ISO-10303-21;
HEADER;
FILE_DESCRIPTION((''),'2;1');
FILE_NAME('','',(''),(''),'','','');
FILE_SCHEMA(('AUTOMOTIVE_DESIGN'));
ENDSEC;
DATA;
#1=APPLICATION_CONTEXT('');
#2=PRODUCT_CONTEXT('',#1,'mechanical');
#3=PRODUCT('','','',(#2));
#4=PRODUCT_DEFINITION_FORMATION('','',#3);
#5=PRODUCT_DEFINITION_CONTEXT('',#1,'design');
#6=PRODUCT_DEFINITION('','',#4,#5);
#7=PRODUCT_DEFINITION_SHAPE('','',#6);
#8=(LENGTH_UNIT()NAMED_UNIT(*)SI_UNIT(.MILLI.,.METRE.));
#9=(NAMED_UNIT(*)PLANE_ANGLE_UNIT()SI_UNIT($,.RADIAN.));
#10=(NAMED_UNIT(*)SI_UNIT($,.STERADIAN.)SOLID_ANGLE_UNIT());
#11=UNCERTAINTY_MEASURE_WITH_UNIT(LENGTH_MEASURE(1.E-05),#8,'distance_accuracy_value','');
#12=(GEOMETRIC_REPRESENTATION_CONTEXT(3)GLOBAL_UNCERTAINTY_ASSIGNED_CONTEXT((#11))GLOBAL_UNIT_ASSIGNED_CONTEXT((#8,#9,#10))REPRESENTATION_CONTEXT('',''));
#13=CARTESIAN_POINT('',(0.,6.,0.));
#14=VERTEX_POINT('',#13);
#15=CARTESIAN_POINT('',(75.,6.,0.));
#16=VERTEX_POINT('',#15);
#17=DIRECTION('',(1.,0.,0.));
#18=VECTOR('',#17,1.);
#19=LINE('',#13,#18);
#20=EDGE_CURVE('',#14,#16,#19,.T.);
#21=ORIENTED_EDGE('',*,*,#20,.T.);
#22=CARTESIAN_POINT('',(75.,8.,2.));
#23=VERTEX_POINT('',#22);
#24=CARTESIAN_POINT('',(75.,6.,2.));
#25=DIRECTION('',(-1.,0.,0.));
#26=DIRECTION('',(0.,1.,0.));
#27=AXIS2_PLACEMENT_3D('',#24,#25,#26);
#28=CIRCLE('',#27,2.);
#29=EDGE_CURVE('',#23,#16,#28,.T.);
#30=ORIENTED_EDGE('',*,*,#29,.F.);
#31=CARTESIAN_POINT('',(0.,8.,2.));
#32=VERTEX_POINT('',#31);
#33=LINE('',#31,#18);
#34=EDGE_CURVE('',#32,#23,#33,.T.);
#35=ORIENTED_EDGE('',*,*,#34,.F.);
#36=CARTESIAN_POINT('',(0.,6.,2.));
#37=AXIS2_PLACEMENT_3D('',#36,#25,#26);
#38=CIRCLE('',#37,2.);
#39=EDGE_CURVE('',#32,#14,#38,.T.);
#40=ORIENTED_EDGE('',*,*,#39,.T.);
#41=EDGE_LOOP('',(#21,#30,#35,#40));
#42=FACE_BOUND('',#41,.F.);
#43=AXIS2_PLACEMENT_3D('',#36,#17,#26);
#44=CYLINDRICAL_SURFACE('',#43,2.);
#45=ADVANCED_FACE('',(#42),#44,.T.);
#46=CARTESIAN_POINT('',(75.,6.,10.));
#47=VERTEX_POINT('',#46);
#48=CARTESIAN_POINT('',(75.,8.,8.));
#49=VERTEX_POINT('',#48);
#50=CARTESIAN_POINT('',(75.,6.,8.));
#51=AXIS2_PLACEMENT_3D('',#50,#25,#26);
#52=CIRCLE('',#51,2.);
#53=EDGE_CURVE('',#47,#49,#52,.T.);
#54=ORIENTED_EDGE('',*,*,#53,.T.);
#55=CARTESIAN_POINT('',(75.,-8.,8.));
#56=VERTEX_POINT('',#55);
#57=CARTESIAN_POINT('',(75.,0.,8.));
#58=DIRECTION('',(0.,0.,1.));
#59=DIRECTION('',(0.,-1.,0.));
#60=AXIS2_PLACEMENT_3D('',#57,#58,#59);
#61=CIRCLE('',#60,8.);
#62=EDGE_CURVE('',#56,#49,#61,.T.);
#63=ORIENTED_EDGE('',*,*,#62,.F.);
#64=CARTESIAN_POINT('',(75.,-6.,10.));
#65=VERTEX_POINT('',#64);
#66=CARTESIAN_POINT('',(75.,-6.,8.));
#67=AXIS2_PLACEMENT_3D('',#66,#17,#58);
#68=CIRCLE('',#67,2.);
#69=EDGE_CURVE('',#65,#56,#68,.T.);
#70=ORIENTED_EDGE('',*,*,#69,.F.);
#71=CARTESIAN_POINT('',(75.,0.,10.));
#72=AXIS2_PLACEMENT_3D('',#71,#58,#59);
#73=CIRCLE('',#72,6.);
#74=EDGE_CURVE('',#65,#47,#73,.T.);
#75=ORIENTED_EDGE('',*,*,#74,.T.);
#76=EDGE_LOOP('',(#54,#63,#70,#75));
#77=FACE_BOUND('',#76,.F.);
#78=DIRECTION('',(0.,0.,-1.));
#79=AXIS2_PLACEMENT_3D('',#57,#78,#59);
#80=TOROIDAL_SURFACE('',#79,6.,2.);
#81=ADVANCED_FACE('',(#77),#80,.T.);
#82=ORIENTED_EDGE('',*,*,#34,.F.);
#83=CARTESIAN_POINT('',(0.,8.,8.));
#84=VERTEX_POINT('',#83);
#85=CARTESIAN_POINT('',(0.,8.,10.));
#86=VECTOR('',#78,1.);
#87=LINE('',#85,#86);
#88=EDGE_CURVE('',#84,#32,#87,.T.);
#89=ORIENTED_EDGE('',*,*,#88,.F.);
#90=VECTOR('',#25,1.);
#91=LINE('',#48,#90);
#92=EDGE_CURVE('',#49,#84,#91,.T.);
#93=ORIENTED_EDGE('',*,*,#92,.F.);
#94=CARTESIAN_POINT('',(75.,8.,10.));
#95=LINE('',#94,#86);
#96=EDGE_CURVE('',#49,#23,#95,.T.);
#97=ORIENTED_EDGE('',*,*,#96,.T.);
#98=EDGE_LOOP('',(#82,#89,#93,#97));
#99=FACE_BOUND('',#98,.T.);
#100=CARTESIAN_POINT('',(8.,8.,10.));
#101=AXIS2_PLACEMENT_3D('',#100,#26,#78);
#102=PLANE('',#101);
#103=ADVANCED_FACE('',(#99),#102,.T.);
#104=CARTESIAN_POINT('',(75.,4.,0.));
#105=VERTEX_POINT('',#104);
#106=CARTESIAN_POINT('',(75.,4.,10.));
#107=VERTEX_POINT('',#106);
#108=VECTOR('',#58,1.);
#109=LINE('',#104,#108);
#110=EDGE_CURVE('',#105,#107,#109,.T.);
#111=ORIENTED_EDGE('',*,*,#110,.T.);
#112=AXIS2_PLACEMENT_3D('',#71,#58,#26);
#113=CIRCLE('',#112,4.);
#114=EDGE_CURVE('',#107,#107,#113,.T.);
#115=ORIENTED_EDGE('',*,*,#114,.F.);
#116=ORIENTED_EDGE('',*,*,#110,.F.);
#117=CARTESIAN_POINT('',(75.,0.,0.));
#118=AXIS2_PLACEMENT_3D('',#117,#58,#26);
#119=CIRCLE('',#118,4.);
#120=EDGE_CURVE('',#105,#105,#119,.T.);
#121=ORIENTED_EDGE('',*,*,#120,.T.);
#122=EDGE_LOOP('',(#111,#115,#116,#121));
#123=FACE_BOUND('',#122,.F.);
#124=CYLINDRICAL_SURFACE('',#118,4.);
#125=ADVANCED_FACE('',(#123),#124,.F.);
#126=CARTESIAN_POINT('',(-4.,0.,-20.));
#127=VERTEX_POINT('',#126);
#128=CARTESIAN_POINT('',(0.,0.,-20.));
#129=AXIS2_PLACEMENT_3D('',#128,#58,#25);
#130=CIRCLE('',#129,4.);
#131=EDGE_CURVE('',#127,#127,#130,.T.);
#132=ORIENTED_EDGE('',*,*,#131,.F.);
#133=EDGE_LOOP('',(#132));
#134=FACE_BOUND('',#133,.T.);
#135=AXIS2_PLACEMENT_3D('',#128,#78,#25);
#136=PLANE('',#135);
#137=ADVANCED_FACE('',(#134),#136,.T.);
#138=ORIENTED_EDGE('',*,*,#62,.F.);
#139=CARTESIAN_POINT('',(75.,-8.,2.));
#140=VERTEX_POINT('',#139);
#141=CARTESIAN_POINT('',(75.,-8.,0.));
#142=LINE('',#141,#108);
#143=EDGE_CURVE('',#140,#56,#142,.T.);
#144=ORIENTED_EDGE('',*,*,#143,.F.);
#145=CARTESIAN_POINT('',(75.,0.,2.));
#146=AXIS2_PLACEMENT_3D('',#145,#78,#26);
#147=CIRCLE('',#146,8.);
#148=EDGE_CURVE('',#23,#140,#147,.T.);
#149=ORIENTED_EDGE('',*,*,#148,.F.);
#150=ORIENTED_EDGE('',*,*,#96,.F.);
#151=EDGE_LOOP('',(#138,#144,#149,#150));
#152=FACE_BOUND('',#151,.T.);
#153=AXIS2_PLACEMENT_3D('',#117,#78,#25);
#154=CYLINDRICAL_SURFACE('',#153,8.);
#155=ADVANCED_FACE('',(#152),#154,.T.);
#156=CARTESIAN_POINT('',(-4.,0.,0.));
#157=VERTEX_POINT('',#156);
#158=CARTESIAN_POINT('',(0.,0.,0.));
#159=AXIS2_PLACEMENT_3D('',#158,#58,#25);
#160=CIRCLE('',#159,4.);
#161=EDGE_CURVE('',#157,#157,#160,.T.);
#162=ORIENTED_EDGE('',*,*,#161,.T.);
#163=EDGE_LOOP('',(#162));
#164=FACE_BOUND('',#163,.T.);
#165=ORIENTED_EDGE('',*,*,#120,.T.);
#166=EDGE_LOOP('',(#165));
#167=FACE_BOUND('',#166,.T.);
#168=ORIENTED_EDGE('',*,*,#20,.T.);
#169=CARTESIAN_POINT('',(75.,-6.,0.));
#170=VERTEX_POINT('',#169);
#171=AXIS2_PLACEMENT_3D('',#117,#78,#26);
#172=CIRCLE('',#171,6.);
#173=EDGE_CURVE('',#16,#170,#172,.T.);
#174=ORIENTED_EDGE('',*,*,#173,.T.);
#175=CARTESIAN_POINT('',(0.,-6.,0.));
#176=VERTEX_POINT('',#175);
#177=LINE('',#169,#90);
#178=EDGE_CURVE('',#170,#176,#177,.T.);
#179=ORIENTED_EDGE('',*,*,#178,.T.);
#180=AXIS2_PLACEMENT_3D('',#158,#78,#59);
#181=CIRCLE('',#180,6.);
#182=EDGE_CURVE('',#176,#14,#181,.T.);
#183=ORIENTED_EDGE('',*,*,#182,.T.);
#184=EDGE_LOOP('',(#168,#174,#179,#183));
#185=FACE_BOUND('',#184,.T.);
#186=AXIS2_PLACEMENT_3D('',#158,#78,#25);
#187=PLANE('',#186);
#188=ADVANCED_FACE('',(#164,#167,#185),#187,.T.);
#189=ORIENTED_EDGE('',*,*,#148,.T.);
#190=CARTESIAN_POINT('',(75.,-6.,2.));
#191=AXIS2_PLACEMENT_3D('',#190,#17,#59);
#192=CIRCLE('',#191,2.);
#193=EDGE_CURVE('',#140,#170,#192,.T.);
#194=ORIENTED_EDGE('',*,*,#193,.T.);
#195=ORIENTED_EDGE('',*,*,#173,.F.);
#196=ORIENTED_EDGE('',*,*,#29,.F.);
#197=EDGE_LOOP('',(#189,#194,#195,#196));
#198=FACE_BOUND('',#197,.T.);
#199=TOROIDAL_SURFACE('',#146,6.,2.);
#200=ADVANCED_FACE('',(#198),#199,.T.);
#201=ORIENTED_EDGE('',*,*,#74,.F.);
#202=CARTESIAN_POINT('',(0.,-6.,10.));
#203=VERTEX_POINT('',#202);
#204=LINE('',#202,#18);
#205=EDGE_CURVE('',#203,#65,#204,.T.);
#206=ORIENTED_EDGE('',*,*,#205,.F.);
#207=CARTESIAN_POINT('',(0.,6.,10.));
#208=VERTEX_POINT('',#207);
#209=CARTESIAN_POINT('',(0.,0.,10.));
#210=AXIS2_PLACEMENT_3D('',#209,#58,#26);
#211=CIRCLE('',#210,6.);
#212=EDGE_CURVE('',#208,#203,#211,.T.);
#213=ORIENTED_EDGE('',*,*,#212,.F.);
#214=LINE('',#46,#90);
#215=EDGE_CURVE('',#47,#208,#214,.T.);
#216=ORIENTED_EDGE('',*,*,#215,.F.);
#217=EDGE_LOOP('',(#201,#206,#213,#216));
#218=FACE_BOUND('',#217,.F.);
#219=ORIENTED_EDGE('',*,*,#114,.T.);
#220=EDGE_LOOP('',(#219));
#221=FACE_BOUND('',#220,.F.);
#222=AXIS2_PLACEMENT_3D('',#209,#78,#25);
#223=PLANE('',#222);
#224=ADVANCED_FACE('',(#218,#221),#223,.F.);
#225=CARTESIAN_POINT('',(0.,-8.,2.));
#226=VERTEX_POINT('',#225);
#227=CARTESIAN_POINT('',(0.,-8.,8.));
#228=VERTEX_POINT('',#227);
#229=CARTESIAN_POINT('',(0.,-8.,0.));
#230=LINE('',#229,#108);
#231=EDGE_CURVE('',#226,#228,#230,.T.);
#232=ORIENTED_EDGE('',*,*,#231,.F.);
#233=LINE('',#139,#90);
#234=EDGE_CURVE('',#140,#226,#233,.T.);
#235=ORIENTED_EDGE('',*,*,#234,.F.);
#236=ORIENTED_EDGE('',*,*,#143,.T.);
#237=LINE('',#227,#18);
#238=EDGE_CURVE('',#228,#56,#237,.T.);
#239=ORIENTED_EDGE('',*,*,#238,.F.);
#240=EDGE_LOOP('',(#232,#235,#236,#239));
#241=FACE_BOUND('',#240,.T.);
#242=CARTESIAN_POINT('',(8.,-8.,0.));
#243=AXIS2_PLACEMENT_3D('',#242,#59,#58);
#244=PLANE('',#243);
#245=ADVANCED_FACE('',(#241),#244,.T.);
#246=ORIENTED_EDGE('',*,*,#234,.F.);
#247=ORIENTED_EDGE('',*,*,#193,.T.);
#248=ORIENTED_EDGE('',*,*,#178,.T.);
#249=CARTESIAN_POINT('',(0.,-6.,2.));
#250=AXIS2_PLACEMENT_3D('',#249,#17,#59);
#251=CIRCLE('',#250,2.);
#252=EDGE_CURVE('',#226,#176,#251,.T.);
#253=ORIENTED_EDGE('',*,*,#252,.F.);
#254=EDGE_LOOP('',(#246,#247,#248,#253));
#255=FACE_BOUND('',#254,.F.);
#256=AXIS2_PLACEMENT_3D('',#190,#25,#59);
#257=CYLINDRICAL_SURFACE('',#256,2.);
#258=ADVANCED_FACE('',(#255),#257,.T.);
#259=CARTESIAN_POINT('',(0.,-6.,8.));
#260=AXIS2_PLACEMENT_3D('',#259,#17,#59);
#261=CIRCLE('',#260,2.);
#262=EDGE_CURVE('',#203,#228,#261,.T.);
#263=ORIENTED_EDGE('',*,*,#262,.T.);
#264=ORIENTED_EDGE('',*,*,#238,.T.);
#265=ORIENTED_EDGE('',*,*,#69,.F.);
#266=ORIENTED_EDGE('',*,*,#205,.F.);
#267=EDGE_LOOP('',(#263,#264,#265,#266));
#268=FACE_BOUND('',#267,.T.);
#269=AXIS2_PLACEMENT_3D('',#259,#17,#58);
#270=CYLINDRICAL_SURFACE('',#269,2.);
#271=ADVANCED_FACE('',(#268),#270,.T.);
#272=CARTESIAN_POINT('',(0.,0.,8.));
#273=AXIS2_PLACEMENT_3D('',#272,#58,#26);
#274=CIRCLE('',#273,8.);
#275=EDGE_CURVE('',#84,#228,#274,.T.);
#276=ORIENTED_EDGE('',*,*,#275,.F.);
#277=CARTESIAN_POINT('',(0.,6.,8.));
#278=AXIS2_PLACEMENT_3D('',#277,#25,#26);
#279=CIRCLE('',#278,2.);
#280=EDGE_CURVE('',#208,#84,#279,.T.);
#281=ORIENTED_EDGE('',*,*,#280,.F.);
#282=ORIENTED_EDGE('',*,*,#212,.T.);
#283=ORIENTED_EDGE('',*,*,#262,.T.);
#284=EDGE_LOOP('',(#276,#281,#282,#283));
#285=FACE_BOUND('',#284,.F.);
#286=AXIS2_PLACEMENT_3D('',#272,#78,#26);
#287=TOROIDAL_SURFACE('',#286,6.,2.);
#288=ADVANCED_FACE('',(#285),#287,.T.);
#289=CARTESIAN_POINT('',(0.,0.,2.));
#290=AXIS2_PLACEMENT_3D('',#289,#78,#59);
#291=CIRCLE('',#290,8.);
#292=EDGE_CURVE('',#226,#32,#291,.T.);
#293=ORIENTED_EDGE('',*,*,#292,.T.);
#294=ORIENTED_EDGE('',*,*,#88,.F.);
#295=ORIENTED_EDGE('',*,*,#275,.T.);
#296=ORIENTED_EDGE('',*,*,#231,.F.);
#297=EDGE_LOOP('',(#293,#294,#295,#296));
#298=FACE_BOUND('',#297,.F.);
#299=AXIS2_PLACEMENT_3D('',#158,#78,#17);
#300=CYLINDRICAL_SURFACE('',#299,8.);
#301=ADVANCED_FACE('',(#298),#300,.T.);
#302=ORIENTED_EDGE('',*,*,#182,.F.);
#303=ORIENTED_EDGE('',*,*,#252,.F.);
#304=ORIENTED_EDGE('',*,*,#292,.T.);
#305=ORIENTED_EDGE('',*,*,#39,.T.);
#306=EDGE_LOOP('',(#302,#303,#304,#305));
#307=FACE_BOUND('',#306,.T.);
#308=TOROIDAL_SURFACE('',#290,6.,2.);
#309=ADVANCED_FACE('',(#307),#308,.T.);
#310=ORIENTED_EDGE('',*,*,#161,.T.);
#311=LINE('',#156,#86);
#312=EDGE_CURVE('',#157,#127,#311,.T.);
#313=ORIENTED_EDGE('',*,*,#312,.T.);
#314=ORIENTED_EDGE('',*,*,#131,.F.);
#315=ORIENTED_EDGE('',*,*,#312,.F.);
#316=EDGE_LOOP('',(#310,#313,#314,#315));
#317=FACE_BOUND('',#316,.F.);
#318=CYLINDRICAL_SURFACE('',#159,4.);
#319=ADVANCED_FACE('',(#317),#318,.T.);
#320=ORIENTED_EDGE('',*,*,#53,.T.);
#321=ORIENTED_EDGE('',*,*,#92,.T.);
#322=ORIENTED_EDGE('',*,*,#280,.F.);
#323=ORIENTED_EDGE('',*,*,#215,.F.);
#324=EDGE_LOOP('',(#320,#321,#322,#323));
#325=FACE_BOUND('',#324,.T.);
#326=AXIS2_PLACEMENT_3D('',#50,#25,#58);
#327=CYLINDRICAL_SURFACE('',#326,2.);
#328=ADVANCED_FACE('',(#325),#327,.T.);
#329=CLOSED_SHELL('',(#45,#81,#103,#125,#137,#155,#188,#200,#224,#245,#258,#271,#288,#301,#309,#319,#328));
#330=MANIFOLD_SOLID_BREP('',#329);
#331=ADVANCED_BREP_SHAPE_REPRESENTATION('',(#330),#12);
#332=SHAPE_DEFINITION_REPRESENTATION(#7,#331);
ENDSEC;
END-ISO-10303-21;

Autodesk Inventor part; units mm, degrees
ref_plane "XZ Plane" through (0, 0, 0) normal (0, 1, 0) x (-1, 0, 0)
ref_plane "XY Plane" through (0, 0, 0) normal (0, 0, 1) x (1, 0, 0)
sketch "Sketch1" plane through (0, 0, 0) normal (0, 0, 1) x (1, 0, 0)
  circle A0 centre (0, 0) radius 8
  dimension "d0" = 16
extrude "Extrusion1" add sketch "Sketch1" along normal blind 10
ref_plane "Work Plane1" through (8, 0, 0) normal (1, 0, 0) x (0, 1, 0)
sketch "Sketch2" plane through (8, 0, 0) normal (1, 0, 0) x (0, 1, 0)
  line L0 (8, 10) -> (-8, 10) projected
  line L1 (8, 0) -> (-8, 0) projected
  line L2 (8, 0) -> (-8, 0) projected
  line L3 (-8, 10) -> (8, 10)
  line L4 (8, 10) -> (8, 0)
  line L5 (8, 0) -> (-8, 0)
  line L6 (-8, 0) -> (-8, 10)
  line L7 (-8, 10) -> (8, 0) construction
  line L8 (8, 10) -> (-8, 0) construction
  point P0 (0, 0)
  point P1 (0, 5)
extrude "Extrusion2" add sketch "Sketch2" along normal blind 67 and the other way blind 8
sketch "Sketch3" plane through (0, 0, 0) normal (0, 0, -1) x (-1, 0, 0)
  line L0 (0, 0) -> (-75, 0)
  line L1 (-75, -8) -> (-75, 8) projected
  circle A0 centre (-75, 0) radius 8
  dimension "d8" = 75
extrude "Extrusion3" add sketch "Sketch3" against normal blind 10 contours L1 A0
sketch "Sketch4" plane through (0, 0, 0) normal (0, 0, -1) x (-1, 0, 0)
  line L0 (0, 0) -> (-75, 0)
  line L1 (0, -8) -> (-75, -8) projected
  line L2 (0, 0) -> (75, 0) construction
  circle A0 centre (-75, 0) radius 4
  circle A1 centre (0, 0) radius 4
  dimension "d11" = 75
  dimension "d12" = 180
  dimension "d14" = 8
  dimension "d15" = 8
extrude "Extrusion4" add sketch "Sketch4" along normal blind 20 contours A1
hole "Hole1" at (75, 0, 0) direction (0, 0, 1) diameter 8 end through all
ref_plane "Work Plane2" through (68, 0, 0) normal (1, 0, 0) x (0, 1, 0)
sketch "Sketch6" plane through (68, 0, 0) normal (1, 0, 0) x (0, 1, 0)
  line L0 (-8, 0) -> (-8, 10) projected
  line L1 (8, 7.5) -> (-8, 7.5)
  line L2 (-8, 7.5) -> (-8, 2.5)
  line L3 (-8, 2.5) -> (8, 2.5)
  line L4 (8, 2.5) -> (8, 7.5)
  line L5 (8, 7.5) -> (-8, 2.5) construction
  line L6 (-8, 7.5) -> (8, 2.5) construction
  point P0 (0, 0)
  point P1 (0, 5)
  dimension "d28" = 5
extrude "Extrusion6" [suppressed]
fillet "Fillet1" radius 2 8 edges at (-8, 0, 10) (37.5, -8, 10) (83, 0, 10) (37.5, 8, 10) (83, 0, 0) (37.5, -8, 0) (-8, 0, 0) (37.5, 8, 0)
properties part number "Manivela" material "Iron, Ductile"
